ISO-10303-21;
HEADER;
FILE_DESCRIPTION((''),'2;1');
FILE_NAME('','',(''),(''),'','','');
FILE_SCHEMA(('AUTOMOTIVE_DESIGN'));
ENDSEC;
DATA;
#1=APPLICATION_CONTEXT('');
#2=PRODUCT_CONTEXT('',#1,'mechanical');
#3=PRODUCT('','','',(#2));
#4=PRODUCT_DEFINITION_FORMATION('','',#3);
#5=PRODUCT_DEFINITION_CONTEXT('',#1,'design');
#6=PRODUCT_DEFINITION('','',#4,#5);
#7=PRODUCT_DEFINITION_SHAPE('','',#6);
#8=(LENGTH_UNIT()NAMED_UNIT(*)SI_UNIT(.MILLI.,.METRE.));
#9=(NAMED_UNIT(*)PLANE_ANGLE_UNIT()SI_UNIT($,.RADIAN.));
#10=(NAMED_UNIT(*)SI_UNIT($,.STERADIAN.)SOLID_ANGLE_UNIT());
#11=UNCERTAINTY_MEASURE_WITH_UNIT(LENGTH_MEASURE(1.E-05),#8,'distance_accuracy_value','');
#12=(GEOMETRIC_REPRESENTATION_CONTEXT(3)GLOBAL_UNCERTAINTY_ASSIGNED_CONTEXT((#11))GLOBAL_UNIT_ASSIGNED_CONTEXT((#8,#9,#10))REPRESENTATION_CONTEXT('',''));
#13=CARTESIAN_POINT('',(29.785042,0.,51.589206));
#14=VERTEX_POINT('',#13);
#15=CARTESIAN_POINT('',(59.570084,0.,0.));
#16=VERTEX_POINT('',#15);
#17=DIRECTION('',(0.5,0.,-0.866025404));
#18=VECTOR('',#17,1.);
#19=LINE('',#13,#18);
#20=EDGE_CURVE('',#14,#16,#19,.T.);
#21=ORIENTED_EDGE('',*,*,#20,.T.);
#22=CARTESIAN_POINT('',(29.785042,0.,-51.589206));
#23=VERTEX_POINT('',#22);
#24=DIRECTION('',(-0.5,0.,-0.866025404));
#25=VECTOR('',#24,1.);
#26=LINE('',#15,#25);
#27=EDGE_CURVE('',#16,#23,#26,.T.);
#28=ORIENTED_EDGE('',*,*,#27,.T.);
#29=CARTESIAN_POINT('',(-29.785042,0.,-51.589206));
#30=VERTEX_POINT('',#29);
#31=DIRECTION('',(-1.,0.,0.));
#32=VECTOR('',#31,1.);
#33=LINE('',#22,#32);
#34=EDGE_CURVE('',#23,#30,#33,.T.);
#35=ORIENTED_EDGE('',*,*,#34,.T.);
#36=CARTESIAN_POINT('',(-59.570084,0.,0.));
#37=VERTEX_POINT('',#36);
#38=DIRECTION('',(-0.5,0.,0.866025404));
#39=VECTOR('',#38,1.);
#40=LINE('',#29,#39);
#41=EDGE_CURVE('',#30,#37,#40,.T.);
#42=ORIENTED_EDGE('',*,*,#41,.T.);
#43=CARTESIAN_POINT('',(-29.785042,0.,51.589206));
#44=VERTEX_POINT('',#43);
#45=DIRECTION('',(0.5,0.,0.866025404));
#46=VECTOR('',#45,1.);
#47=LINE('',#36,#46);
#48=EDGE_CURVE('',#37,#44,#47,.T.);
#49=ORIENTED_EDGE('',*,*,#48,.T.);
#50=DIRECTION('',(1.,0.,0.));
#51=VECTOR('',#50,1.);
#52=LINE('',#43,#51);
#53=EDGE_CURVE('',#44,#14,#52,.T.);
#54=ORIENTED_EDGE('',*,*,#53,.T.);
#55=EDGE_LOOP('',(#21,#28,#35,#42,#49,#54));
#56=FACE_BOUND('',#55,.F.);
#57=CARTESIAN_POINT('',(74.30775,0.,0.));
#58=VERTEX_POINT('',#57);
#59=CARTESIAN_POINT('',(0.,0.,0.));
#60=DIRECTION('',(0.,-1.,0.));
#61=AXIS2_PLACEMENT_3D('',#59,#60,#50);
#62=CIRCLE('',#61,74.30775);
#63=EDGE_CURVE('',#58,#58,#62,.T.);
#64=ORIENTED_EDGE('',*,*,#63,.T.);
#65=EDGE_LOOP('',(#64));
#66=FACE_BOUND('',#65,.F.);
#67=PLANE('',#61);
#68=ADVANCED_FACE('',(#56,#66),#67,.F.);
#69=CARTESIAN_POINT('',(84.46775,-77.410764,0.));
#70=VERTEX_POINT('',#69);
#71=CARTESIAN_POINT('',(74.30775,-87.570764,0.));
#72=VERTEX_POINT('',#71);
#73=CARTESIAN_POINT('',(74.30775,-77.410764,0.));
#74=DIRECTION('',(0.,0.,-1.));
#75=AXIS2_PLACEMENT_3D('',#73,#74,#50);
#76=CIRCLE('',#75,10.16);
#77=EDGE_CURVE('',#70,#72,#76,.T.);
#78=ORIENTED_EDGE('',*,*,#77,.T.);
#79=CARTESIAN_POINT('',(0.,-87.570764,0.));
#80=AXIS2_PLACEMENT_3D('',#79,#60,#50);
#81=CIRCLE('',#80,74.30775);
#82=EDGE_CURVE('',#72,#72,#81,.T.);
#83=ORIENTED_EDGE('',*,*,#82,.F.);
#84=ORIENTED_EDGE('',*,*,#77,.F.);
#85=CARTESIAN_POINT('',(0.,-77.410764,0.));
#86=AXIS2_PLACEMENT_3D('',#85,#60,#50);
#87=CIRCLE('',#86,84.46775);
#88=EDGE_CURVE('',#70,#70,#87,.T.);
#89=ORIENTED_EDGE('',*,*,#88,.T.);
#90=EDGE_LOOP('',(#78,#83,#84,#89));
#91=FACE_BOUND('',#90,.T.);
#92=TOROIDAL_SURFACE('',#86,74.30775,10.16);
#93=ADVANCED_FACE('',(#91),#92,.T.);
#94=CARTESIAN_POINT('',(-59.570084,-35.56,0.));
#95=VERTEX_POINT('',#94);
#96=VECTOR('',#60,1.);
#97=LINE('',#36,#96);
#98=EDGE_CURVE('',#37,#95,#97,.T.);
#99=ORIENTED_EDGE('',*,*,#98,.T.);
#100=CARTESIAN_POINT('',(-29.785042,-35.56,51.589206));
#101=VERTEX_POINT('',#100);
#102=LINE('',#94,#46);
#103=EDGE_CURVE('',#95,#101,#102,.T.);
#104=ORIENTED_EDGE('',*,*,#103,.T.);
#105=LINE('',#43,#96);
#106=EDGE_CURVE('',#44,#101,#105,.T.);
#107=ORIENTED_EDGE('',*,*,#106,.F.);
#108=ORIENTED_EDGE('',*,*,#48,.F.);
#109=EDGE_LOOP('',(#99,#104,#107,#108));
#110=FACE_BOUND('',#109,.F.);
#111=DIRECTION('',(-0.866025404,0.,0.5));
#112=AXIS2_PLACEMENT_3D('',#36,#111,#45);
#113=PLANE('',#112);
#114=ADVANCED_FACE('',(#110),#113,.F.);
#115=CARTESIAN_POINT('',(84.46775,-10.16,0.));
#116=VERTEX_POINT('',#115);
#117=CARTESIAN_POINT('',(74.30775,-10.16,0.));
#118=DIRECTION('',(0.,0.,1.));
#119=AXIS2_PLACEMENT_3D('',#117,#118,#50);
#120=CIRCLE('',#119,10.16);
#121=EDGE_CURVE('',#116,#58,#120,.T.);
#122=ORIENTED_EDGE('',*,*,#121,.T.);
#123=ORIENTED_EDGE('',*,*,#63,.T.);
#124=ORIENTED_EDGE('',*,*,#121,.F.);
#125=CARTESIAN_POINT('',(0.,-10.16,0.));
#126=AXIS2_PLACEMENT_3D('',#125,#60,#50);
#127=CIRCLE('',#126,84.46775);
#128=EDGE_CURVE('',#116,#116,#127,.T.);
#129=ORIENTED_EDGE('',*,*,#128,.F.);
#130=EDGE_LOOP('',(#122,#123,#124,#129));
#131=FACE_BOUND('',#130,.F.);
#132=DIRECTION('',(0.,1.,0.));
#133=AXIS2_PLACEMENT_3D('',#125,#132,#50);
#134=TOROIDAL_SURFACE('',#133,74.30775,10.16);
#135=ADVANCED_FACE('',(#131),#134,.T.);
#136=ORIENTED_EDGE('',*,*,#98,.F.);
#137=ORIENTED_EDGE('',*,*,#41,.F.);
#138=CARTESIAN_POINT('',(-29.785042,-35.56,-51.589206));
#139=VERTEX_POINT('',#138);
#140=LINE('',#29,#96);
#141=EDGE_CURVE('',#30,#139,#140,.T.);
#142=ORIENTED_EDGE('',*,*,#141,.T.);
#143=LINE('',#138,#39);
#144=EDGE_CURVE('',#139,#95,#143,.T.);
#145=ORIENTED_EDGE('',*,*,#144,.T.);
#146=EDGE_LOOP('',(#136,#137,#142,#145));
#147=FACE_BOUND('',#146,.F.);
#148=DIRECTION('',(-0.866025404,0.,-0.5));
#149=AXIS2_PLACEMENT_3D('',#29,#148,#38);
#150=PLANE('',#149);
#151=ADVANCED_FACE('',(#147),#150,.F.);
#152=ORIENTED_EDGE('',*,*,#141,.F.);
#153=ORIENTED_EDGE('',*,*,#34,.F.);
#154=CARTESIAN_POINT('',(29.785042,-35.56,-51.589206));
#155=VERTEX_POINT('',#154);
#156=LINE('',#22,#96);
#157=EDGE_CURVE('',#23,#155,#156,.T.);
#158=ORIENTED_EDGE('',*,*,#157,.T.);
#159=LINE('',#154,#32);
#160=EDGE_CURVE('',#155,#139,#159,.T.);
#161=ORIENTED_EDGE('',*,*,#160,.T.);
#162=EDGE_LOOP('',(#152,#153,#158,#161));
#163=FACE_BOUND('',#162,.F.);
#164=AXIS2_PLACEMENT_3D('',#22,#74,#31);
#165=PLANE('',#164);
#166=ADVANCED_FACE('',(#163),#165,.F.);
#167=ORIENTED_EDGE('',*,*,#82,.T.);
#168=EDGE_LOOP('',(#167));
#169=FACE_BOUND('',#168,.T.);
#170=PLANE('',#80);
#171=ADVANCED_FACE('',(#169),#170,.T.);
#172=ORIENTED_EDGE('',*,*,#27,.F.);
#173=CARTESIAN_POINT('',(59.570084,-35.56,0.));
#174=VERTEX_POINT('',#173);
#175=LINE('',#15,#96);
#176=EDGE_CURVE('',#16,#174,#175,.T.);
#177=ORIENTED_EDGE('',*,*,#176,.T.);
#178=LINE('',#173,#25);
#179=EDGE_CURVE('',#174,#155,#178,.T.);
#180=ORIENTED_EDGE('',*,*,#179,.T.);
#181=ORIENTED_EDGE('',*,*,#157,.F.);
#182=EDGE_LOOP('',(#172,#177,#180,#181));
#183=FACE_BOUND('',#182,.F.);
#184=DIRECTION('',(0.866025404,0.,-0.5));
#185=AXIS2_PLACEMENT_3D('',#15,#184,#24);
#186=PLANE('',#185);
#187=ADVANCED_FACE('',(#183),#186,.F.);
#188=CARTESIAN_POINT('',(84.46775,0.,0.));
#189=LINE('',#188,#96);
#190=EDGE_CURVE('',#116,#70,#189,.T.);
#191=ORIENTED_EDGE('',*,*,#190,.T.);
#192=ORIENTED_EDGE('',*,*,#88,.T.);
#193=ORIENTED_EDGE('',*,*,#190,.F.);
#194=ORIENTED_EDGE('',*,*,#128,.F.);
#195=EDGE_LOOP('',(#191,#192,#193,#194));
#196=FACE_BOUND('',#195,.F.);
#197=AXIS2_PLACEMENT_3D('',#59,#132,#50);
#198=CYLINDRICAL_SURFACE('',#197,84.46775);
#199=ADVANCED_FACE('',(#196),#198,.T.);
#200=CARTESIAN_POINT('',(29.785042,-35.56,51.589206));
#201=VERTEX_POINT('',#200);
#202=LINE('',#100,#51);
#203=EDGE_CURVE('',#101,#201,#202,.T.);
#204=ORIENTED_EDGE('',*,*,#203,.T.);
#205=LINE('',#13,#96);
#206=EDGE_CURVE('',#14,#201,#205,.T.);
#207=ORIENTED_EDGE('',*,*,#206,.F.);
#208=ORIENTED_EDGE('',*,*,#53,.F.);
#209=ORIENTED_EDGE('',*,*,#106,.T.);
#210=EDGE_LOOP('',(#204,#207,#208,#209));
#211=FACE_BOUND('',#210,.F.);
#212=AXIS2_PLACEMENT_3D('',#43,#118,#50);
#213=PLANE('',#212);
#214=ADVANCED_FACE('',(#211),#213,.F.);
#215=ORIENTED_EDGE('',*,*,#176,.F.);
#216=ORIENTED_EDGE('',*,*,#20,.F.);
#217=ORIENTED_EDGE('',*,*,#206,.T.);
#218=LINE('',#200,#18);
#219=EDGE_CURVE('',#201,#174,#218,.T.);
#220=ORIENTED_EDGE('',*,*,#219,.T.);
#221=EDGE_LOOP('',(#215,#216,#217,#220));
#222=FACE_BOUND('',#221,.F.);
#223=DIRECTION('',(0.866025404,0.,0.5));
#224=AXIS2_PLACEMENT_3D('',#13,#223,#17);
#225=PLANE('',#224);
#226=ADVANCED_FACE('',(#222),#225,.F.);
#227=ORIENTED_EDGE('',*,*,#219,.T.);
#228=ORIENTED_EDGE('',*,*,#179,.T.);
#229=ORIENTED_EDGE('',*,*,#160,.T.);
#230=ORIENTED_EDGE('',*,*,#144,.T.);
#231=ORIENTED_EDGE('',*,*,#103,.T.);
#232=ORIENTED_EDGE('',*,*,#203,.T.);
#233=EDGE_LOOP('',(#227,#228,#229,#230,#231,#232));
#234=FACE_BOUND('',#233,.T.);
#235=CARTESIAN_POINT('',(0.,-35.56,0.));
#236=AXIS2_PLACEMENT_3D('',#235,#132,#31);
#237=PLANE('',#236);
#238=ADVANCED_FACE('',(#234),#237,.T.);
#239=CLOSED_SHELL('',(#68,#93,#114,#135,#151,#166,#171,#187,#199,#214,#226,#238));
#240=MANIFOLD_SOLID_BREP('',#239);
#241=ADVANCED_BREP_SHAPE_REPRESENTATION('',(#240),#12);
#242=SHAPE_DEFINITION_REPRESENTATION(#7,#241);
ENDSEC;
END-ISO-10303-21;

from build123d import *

# Parameters (mm, degrees)
F0_R     = 84.46775
F1_DEPTH = 87.570764
F2_R     = 10.16
F4_DEPTH = 35.56


with BuildPart() as f1:
    # F0 (on Front) → F1 (new body)
    with BuildSketch(Plane.XZ):
        Circle(F0_R)
    extrude(amount=F1_DEPTH)

    # F2
    f2_edges = [f1.edges().sort_by_distance(p)[0] for p in [
        (-84.46775, -87.570764, 0),
        (-84.46775, 0, 0),
    ]]
    fillet(f2_edges, radius=F2_R)

    # F3 (on face) → F4 (cut)
    with BuildSketch(Plane(origin=(0, 0, 0), x_dir=(-1, 0, 0), z_dir=(0, 1, 0))):
        Polygon((29.785042, 51.589206), (-29.785042, 51.589206), (-59.570084, 0), (-29.785042, -51.589206), (29.785042, -51.589206), (59.570084, 0), align=None)
    extrude(amount=-F4_DEPTH, mode=Mode.SUBTRACT)


solid = f1.part
